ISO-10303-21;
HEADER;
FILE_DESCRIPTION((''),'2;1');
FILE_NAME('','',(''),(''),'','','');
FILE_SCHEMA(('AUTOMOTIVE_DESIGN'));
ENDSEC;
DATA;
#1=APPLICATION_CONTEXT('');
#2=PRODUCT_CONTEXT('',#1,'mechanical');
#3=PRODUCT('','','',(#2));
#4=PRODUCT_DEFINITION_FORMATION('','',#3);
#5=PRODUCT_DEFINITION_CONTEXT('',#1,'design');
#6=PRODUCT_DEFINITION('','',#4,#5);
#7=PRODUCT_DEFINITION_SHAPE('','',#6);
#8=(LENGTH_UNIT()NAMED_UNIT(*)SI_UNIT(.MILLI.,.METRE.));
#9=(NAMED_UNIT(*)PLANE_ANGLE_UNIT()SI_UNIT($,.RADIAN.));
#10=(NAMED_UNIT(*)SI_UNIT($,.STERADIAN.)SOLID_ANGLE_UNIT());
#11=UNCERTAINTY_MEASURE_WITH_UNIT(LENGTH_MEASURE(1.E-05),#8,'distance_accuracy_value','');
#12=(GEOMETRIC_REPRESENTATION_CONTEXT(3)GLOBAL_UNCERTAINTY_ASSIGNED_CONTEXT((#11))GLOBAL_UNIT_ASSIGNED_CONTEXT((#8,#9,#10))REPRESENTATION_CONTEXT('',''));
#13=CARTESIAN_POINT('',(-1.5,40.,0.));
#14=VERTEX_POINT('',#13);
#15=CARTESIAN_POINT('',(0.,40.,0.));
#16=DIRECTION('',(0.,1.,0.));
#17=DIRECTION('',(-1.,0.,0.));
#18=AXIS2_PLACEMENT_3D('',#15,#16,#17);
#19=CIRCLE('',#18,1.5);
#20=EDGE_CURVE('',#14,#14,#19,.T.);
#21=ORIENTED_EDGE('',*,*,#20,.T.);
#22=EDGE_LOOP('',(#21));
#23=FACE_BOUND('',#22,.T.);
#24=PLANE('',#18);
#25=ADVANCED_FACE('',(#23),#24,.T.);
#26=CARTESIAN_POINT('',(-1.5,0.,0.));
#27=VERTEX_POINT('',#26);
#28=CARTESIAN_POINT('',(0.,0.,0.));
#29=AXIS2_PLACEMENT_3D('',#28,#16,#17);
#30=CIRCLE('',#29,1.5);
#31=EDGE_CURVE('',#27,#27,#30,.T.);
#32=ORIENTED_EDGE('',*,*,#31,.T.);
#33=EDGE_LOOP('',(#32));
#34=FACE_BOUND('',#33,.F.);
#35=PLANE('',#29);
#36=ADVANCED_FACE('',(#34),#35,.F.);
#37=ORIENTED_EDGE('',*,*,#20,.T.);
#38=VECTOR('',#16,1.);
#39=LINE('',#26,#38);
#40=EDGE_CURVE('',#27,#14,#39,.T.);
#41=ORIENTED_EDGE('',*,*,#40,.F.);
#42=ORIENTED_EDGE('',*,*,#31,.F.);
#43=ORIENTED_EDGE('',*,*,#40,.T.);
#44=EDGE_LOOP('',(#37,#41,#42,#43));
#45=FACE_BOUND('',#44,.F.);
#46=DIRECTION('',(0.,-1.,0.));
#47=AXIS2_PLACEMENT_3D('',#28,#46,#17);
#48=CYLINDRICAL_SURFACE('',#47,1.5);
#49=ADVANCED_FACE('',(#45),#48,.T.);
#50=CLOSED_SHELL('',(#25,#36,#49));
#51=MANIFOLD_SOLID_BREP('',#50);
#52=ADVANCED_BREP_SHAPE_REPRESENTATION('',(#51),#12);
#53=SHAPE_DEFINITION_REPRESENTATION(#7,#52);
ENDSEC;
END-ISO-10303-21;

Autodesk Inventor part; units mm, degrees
ref_plane "YZ Plane" through (0, 0, 0) normal (1, 0, 0) x (0, 1, 0)
ref_plane "XZ Plane" through (0, 0, 0) normal (0, 1, 0) x (-1, 0, 0)
ref_plane "XY Plane" through (0, 0, 0) normal (0, 0, 1) x (1, 0, 0)
sketch "Sketch1" plane through (0, 0, 0) normal (0, 1, 0) x (-1, 0, 0)
  circle A0 centre (0, 0) radius 1.5
  dimension "d0" = 3
extrude "Extrusion1" add sketch "Sketch1" along normal blind 40
properties part number "Pivot_Rod"
